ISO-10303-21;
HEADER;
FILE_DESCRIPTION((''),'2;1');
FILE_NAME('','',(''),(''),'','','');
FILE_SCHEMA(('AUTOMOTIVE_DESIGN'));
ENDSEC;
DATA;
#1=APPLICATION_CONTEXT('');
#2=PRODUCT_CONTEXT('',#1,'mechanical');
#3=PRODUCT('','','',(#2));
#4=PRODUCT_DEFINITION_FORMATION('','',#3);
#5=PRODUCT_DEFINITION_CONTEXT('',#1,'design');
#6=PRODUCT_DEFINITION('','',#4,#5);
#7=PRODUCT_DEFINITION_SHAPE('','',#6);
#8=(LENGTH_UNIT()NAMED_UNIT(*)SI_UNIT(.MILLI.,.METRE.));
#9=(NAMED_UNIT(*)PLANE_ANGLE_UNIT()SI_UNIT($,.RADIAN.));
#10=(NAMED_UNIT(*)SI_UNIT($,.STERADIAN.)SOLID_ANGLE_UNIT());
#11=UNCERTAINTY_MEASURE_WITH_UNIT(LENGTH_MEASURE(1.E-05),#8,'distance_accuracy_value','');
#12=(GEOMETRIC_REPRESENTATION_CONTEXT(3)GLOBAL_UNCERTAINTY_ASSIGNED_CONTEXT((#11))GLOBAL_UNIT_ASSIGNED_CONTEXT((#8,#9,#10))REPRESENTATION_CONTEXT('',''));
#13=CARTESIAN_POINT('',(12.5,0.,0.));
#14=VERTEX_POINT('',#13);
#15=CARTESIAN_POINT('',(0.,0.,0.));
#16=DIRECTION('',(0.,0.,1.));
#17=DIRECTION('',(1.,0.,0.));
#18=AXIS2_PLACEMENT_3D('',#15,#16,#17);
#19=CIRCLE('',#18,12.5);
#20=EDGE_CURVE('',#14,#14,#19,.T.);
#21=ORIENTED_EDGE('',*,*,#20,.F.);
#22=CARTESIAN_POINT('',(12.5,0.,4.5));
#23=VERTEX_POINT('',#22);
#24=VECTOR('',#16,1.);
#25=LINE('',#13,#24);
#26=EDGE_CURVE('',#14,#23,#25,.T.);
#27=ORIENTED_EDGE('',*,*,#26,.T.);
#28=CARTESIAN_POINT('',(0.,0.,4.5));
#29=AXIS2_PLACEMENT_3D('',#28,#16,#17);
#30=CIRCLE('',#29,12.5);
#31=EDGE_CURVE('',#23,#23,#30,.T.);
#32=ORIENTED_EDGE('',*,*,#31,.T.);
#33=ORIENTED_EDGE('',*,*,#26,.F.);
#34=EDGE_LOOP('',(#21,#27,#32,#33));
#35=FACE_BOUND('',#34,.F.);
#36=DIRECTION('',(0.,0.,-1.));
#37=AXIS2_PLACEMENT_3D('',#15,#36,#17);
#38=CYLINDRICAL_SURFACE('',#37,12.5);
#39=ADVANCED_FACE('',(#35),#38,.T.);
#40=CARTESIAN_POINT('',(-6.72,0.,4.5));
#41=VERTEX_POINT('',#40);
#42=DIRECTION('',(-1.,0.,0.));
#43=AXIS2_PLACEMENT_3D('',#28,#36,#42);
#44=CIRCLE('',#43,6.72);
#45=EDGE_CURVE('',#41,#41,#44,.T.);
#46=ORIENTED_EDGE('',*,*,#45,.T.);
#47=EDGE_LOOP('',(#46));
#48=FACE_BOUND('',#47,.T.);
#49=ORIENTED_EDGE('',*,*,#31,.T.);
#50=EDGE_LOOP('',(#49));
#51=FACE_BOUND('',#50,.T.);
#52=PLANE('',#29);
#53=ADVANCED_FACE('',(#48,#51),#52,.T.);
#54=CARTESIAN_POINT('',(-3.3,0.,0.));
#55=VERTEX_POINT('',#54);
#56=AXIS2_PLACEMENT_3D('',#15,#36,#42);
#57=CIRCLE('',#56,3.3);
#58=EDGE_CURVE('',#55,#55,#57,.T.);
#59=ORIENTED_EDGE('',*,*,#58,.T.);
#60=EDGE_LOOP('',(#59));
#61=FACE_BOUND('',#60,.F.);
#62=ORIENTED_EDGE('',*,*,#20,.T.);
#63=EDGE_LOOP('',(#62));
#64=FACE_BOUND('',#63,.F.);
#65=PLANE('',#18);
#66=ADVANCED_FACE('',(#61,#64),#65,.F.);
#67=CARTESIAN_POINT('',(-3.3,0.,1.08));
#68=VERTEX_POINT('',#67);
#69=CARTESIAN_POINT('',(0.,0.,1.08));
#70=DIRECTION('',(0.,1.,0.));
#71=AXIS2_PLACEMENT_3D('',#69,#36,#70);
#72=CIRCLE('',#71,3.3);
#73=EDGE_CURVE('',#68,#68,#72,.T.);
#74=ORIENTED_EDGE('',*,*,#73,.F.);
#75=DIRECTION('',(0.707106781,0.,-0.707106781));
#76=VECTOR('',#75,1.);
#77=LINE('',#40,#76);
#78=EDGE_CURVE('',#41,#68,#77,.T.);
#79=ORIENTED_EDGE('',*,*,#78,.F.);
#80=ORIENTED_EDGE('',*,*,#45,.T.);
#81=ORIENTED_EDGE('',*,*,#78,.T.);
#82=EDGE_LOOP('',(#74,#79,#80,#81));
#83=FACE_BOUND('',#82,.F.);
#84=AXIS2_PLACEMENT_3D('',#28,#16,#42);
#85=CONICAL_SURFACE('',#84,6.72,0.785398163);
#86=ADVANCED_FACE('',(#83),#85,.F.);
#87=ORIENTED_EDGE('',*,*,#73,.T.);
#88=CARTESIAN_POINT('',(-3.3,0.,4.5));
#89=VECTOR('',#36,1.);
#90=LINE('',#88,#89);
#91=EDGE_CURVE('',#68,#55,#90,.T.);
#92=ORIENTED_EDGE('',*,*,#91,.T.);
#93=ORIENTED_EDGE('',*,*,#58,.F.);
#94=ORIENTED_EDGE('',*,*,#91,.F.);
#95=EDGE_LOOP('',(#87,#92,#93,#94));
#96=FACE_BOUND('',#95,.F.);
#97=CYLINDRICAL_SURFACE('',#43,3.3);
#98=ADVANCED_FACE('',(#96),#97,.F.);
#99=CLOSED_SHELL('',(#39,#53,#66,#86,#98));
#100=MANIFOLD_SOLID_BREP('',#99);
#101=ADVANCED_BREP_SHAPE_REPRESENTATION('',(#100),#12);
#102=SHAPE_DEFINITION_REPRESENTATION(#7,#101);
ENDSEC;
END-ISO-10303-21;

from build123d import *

# Parameters (mm, degrees)
F0_R           = 12.5
F1_DEPTH       = 4.5
F3_D           = 6.6
F3_CSINK_D     = 13.44
F3_CSINK_ANGLE = 90


with BuildPart() as f1:
    # F0 (on Top) → F1 (new body)
    with BuildSketch(Plane.XY):
        Circle(F0_R)
    extrude(amount=F1_DEPTH)

    # F3 (through all)
    with Locations(Plane.XY.offset(4.5)):
        with Locations((0, 0)):
            CounterSinkHole(F3_D / 2, F3_CSINK_D / 2, counter_sink_angle=F3_CSINK_ANGLE)


solid = f1.part
